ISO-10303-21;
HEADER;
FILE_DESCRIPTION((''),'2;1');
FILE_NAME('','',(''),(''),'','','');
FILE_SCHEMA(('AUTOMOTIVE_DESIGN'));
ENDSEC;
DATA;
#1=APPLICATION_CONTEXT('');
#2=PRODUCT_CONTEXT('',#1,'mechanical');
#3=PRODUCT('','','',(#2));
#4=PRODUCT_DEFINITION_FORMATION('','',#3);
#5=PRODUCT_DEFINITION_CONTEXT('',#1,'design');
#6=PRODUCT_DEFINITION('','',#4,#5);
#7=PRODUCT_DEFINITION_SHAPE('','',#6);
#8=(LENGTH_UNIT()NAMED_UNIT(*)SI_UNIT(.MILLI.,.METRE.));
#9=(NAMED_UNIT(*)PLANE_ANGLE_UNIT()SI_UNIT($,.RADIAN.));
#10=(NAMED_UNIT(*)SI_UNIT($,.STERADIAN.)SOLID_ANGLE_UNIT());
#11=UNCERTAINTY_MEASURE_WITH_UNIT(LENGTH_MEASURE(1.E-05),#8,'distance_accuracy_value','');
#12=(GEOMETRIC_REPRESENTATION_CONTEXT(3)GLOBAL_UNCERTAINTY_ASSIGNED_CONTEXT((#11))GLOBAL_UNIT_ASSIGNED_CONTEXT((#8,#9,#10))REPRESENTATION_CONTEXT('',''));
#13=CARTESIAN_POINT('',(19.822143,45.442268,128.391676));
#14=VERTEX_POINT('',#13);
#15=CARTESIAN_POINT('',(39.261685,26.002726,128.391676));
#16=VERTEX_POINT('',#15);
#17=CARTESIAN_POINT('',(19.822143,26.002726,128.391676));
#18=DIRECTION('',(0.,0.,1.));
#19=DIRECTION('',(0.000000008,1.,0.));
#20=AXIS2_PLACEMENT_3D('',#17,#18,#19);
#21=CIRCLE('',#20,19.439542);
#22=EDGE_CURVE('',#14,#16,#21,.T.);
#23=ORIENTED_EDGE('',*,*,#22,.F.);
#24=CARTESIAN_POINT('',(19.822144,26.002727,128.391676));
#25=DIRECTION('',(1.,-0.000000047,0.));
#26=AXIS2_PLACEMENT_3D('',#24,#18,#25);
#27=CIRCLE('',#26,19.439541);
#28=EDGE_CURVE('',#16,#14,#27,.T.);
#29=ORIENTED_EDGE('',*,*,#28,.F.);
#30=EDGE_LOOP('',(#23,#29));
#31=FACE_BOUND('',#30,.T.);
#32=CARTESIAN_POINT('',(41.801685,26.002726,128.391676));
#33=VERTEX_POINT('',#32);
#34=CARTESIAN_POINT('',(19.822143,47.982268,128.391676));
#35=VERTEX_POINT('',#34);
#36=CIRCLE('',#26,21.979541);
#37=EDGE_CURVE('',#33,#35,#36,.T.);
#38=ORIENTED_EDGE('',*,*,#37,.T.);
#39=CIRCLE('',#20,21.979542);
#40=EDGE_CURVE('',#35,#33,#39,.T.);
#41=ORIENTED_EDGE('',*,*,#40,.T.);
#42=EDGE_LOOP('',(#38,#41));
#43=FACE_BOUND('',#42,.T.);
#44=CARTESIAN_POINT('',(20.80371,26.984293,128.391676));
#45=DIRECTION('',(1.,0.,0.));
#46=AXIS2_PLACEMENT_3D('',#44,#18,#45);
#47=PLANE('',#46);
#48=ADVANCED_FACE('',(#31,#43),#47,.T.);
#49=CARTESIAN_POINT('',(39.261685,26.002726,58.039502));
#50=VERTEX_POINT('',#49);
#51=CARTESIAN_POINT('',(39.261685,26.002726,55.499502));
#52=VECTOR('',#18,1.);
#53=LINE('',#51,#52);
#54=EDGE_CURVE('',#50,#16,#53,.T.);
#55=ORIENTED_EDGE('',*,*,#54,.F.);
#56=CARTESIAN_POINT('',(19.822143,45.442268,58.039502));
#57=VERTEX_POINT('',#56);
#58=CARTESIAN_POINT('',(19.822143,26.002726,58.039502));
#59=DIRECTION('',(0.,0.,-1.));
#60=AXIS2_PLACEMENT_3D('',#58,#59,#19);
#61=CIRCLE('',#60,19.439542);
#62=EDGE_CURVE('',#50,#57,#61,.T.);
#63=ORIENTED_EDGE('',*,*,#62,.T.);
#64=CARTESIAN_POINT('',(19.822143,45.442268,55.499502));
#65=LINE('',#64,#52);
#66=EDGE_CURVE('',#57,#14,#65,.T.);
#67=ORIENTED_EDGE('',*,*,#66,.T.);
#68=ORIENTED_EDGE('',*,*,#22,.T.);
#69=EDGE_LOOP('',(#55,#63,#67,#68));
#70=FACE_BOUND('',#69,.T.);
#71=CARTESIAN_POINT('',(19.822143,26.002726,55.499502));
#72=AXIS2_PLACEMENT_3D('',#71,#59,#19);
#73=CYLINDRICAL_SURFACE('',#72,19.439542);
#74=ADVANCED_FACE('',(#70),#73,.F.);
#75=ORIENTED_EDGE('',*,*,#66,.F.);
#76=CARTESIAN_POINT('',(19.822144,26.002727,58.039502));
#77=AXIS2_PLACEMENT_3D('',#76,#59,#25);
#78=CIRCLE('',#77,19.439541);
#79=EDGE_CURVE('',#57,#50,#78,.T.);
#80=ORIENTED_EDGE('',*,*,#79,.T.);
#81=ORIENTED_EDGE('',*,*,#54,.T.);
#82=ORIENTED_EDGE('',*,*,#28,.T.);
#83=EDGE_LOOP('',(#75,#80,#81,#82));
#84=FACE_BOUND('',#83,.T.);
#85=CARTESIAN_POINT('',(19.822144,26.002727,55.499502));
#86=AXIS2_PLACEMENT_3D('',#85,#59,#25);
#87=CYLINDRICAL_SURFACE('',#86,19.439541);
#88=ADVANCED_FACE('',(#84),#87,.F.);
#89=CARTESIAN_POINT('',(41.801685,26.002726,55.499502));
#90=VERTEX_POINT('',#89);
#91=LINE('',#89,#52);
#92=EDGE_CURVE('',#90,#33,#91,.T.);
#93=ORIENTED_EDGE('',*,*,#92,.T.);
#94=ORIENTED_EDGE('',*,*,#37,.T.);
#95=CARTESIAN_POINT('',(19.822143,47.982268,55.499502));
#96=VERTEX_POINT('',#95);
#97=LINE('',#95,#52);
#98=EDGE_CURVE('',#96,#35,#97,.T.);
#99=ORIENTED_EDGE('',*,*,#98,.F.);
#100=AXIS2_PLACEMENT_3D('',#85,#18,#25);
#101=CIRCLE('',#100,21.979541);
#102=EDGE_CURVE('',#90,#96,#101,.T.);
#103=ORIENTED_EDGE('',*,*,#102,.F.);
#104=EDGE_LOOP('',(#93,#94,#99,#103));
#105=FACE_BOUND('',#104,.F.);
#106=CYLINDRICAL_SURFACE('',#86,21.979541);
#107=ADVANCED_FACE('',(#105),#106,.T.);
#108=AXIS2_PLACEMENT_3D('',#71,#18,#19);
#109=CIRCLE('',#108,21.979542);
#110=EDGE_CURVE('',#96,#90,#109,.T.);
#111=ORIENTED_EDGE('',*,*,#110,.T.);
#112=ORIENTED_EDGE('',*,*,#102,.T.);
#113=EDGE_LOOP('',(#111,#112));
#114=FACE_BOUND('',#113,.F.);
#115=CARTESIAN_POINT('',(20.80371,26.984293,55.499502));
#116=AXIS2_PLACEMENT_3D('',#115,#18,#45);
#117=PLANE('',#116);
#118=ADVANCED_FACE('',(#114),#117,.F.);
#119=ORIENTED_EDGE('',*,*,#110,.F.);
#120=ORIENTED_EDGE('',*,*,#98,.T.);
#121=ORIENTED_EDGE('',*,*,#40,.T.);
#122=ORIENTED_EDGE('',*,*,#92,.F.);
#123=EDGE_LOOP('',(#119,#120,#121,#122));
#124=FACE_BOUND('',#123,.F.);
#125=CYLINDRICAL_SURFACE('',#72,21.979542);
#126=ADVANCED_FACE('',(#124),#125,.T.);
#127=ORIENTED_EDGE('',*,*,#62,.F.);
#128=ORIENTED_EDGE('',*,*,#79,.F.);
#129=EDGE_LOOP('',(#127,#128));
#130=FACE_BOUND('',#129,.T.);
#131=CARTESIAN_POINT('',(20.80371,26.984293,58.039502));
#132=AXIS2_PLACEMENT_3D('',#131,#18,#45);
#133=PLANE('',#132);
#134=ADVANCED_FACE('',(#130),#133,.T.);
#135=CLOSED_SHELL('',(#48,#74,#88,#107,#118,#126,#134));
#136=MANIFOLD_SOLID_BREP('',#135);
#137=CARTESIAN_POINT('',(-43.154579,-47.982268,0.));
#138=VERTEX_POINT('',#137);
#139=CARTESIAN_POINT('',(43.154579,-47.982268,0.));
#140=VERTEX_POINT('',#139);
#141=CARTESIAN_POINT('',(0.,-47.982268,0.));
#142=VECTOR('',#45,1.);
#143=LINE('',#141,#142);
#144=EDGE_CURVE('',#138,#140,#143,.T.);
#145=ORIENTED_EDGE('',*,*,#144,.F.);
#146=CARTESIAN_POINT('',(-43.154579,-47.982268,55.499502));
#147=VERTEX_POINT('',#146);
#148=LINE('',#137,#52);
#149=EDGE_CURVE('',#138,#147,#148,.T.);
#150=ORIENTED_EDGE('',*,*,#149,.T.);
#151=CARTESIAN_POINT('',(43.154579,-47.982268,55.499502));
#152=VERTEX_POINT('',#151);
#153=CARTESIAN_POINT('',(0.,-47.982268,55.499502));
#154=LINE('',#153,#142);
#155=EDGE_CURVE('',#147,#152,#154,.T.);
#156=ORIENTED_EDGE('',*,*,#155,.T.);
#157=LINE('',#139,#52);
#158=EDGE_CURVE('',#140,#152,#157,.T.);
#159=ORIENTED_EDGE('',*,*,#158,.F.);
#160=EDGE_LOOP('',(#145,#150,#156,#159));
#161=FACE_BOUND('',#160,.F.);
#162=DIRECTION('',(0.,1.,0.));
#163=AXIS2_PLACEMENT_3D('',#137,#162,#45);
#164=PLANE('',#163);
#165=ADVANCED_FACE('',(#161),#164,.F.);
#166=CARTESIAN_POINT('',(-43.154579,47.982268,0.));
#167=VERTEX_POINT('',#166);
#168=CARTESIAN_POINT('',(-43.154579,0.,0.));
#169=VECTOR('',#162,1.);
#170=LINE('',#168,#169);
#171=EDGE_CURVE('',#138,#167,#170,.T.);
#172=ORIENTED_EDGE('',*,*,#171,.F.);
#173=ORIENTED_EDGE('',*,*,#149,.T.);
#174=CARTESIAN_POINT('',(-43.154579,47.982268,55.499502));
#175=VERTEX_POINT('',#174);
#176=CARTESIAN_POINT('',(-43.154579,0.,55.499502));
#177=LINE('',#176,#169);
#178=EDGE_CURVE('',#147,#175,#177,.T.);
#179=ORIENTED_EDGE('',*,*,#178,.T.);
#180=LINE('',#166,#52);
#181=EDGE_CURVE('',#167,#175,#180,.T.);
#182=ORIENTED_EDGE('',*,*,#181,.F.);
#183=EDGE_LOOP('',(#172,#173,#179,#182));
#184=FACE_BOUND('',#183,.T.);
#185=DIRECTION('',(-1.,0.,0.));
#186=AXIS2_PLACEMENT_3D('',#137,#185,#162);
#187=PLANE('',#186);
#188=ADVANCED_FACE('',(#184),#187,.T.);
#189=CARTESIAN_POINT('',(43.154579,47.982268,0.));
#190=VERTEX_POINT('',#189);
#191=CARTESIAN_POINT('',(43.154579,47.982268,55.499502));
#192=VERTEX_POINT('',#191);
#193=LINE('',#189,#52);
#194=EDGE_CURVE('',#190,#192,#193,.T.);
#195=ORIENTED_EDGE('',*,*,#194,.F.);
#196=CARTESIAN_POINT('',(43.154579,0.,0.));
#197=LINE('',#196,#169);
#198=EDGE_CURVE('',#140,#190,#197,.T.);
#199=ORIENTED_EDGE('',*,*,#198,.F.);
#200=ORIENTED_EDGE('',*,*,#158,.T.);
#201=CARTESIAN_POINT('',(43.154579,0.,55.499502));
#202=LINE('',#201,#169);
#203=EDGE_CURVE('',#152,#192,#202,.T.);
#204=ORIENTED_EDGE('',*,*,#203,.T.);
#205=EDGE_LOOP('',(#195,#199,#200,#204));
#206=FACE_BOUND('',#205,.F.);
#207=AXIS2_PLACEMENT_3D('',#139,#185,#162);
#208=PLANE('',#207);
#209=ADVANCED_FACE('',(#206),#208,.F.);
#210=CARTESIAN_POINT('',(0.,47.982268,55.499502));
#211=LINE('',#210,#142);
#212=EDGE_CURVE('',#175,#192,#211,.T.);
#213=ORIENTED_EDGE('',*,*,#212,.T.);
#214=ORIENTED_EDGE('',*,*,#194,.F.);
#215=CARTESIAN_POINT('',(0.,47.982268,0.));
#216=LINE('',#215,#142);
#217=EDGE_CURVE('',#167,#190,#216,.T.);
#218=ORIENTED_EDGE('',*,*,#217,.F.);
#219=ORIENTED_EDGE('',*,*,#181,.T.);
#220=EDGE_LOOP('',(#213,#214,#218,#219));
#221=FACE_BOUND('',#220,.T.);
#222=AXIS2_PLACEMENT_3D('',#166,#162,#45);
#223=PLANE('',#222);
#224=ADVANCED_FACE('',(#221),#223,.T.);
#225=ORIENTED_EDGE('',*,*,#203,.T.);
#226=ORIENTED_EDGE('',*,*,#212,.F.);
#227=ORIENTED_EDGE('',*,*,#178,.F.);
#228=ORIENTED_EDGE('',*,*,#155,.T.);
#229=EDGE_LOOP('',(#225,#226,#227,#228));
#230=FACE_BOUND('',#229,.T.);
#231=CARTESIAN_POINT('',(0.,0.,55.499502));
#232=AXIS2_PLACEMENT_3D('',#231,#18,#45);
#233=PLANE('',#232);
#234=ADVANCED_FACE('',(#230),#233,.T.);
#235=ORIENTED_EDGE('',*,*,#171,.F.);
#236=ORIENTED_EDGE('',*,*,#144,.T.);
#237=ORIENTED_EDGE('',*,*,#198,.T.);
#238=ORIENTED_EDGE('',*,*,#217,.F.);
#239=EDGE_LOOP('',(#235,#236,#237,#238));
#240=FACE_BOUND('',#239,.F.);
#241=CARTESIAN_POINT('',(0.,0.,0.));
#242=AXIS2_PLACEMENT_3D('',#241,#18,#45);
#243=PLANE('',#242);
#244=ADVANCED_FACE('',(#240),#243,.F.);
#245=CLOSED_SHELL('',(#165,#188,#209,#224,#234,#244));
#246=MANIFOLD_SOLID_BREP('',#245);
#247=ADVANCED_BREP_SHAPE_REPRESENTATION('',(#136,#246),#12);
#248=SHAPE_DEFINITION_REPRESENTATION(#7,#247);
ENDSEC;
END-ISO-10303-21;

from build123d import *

# Parameters (mm, degrees)
F1_W     = 86.309158
F1_H     = 95.964536
F2_DEPTH = 55.499502
F4_DEPTH = 72.892174
F5_T     = -2.54


with BuildPart() as f2:
    # F1 (on face) → F2 (new body)
    with BuildSketch(Plane.XY):
        Rectangle(F1_W, F1_H)
    extrude(amount=F2_DEPTH)


with BuildPart() as f4:
    # F3 (on face) → F4 (new body)
    with BuildSketch(Plane.XY.offset(55.499502)):
        with BuildLine():
            ThreePointArc((19.822143, 47.982268), (4.28026, 10.460842), (41.801685, 26.002726))
            ThreePointArc((41.801685, 26.002726), (35.364027, 41.544609), (19.822143, 47.982268))
        make_face()
    extrude(amount=F4_DEPTH)

    # F5
    f5_openings = [f4.faces().sort_by_distance(p)[0] for p in [
        (19.822143, 26.002726, 128.391676),
    ]]
    offset(amount=F5_T, openings=f5_openings)


solid = Compound([f2.part, f4.part])
